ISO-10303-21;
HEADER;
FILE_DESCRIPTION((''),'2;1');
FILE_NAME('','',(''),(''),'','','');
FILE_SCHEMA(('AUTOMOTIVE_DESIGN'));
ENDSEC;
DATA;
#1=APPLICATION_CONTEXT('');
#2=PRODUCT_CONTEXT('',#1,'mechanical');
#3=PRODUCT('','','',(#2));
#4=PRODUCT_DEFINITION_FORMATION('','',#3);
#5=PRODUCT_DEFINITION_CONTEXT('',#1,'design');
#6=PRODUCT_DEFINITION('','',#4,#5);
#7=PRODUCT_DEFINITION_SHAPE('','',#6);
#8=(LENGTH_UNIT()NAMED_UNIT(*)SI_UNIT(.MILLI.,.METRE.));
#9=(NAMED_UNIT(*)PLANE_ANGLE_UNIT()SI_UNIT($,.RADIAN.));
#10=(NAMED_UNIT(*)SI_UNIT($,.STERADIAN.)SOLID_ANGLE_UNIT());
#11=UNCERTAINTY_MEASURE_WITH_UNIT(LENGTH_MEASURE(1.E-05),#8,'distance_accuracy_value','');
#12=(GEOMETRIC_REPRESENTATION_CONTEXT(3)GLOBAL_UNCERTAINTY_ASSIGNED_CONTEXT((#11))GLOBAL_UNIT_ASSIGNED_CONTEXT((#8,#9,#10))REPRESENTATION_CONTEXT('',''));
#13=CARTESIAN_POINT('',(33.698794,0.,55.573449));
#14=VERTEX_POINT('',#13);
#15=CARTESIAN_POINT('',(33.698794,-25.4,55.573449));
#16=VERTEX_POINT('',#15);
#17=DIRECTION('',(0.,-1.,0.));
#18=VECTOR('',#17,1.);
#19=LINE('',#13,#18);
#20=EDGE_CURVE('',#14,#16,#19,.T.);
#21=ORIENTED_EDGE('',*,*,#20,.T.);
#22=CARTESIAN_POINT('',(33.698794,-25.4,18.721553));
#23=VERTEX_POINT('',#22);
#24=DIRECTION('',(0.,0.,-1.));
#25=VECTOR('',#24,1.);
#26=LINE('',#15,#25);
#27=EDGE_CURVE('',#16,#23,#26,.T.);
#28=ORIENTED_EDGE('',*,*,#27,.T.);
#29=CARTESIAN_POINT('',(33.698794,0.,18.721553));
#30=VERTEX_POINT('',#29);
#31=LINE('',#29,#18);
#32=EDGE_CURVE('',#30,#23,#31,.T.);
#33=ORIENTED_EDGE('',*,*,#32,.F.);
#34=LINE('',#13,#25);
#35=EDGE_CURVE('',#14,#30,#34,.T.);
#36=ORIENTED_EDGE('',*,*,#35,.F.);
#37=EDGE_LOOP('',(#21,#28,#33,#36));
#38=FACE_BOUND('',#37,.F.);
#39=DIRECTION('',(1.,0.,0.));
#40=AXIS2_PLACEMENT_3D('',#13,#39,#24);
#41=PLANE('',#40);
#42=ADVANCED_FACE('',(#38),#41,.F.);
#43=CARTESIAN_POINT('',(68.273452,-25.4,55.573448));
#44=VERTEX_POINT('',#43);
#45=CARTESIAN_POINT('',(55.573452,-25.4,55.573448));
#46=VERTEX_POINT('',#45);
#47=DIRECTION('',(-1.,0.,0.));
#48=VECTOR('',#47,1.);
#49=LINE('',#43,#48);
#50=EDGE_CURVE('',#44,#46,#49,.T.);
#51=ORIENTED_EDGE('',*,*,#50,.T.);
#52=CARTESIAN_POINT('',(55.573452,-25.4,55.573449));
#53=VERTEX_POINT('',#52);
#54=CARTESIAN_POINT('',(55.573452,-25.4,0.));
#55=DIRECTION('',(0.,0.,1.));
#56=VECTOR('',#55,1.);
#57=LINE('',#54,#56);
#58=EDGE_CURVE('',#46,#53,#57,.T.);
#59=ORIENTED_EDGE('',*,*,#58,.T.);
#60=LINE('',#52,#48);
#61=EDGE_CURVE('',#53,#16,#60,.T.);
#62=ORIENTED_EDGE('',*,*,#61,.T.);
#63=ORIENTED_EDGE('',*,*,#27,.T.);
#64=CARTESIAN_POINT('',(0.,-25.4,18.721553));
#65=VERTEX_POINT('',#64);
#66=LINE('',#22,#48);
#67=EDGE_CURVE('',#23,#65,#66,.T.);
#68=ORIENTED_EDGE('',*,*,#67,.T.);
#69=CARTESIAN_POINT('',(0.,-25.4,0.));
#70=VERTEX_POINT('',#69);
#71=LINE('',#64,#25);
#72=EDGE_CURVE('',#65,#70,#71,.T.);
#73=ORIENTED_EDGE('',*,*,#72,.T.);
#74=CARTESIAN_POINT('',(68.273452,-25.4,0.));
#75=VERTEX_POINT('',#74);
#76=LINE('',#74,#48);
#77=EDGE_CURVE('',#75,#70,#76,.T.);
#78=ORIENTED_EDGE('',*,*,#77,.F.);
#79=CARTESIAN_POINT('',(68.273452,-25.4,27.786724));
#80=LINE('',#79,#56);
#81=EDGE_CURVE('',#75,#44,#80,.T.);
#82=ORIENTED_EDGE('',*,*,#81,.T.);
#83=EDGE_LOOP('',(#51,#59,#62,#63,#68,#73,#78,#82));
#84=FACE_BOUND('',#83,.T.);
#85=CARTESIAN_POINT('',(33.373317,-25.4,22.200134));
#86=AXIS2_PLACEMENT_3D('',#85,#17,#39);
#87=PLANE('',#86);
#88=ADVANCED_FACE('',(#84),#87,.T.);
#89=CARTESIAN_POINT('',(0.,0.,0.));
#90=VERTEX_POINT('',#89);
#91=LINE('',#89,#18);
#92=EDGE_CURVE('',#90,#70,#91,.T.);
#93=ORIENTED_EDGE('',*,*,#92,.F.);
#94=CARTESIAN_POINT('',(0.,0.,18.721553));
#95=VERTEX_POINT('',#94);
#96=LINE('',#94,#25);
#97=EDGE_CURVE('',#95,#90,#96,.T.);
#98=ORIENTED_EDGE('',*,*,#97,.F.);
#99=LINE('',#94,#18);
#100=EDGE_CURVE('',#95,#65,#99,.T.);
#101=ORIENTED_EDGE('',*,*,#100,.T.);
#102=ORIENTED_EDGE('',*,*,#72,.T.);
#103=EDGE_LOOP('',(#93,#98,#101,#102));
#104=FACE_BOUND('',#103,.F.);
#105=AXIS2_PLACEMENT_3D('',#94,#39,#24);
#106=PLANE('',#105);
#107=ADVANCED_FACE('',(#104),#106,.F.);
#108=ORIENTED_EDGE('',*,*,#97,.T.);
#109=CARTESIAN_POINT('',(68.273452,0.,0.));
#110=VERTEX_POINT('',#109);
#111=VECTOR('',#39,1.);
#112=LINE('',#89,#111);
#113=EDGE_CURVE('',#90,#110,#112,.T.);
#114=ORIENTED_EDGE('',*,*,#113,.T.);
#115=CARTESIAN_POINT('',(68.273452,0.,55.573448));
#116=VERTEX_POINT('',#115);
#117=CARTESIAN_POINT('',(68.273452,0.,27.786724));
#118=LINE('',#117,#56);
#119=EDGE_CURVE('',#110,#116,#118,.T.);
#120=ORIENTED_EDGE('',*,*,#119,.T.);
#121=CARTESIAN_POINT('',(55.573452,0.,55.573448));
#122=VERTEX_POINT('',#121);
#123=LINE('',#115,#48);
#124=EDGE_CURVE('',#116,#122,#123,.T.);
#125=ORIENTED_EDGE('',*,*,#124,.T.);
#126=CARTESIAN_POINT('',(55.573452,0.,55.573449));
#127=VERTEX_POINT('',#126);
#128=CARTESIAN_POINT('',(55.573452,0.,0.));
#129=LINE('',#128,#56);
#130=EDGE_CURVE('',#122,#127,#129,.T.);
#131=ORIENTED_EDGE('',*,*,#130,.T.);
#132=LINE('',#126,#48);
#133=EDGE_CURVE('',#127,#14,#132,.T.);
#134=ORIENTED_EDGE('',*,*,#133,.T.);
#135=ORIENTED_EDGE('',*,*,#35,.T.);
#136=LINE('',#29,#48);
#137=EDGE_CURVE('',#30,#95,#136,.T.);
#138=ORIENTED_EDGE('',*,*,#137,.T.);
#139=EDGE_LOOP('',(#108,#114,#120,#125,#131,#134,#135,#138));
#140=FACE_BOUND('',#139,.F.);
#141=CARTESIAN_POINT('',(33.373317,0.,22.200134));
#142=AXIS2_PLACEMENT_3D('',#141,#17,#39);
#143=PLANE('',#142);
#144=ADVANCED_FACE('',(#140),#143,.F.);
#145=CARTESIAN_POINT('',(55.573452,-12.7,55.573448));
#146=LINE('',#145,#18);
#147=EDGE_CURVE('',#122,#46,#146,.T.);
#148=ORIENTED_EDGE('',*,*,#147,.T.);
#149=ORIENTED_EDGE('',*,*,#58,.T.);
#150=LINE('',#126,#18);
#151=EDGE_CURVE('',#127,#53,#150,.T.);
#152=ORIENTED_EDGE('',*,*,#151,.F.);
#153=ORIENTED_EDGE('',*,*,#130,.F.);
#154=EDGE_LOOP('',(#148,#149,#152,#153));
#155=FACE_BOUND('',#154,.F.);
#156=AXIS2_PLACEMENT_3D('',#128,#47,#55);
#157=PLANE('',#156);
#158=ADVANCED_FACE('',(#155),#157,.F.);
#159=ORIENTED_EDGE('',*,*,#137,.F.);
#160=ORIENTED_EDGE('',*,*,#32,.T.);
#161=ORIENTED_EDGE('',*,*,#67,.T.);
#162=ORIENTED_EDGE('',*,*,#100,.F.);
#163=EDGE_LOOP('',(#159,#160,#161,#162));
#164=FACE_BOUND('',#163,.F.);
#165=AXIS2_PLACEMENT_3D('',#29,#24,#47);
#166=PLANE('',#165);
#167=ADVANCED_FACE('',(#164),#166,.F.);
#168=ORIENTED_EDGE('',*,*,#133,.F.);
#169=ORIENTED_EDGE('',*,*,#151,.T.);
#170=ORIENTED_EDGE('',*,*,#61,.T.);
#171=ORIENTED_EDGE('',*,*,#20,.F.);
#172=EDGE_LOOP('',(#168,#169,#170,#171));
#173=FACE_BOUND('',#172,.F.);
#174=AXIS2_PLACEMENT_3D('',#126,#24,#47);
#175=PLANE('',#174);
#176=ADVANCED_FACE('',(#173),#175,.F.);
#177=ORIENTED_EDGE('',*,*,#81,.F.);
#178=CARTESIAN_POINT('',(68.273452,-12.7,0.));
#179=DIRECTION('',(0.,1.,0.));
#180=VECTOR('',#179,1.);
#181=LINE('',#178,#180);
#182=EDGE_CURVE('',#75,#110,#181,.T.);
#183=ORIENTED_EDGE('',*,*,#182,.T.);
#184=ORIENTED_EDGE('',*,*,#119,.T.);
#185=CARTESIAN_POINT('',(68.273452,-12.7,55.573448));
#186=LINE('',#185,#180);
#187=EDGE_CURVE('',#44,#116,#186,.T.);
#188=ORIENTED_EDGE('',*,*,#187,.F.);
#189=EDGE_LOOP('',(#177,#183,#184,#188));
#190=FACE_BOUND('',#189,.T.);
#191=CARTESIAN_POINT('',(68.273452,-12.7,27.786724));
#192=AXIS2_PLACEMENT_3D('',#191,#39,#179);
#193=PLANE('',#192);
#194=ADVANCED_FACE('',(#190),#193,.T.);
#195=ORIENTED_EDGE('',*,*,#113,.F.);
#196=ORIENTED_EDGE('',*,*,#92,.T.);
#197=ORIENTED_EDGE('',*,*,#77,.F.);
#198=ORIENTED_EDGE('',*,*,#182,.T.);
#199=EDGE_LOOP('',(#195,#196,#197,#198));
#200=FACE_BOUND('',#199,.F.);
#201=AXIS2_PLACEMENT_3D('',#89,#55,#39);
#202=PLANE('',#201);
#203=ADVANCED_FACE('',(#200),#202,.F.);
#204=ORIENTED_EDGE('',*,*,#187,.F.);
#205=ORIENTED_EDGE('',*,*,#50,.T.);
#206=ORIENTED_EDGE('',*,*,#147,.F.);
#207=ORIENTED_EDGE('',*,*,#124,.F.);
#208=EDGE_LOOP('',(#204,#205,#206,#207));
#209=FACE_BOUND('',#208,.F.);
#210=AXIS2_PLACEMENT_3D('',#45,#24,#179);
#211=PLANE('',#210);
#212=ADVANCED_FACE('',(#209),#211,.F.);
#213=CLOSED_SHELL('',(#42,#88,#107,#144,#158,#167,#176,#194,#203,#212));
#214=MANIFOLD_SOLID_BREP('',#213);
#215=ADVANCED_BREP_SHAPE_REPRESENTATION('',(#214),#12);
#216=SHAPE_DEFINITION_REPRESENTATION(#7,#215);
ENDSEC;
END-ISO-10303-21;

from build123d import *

# Parameters (mm, degrees)
F1_DEPTH  = 25.4
F1_FACE_W = 25.4
F1_FACE_H = 55.573448
F2_DEPTH  = 12.7


with BuildPart() as f1:
    # F0 (on Front) → F1 (new body)
    with BuildSketch(Plane.XZ):
        Polygon((0, 18.721553), (0, 0), (55.573452, 0), (55.573452, 55.573449), (33.698794, 55.573449), (33.698794, 18.721553), align=None)
    extrude(amount=F1_DEPTH)

    # F1_face (on face) → F2 (join, symmetric)
    with BuildSketch(Plane(origin=(55.573452, -12.7, 27.786724), x_dir=(0, 1, 0), z_dir=(1, 0, 0))):
        Rectangle(F1_FACE_W, F1_FACE_H)
    extrude(amount=F2_DEPTH, both=True)


solid = f1.part
